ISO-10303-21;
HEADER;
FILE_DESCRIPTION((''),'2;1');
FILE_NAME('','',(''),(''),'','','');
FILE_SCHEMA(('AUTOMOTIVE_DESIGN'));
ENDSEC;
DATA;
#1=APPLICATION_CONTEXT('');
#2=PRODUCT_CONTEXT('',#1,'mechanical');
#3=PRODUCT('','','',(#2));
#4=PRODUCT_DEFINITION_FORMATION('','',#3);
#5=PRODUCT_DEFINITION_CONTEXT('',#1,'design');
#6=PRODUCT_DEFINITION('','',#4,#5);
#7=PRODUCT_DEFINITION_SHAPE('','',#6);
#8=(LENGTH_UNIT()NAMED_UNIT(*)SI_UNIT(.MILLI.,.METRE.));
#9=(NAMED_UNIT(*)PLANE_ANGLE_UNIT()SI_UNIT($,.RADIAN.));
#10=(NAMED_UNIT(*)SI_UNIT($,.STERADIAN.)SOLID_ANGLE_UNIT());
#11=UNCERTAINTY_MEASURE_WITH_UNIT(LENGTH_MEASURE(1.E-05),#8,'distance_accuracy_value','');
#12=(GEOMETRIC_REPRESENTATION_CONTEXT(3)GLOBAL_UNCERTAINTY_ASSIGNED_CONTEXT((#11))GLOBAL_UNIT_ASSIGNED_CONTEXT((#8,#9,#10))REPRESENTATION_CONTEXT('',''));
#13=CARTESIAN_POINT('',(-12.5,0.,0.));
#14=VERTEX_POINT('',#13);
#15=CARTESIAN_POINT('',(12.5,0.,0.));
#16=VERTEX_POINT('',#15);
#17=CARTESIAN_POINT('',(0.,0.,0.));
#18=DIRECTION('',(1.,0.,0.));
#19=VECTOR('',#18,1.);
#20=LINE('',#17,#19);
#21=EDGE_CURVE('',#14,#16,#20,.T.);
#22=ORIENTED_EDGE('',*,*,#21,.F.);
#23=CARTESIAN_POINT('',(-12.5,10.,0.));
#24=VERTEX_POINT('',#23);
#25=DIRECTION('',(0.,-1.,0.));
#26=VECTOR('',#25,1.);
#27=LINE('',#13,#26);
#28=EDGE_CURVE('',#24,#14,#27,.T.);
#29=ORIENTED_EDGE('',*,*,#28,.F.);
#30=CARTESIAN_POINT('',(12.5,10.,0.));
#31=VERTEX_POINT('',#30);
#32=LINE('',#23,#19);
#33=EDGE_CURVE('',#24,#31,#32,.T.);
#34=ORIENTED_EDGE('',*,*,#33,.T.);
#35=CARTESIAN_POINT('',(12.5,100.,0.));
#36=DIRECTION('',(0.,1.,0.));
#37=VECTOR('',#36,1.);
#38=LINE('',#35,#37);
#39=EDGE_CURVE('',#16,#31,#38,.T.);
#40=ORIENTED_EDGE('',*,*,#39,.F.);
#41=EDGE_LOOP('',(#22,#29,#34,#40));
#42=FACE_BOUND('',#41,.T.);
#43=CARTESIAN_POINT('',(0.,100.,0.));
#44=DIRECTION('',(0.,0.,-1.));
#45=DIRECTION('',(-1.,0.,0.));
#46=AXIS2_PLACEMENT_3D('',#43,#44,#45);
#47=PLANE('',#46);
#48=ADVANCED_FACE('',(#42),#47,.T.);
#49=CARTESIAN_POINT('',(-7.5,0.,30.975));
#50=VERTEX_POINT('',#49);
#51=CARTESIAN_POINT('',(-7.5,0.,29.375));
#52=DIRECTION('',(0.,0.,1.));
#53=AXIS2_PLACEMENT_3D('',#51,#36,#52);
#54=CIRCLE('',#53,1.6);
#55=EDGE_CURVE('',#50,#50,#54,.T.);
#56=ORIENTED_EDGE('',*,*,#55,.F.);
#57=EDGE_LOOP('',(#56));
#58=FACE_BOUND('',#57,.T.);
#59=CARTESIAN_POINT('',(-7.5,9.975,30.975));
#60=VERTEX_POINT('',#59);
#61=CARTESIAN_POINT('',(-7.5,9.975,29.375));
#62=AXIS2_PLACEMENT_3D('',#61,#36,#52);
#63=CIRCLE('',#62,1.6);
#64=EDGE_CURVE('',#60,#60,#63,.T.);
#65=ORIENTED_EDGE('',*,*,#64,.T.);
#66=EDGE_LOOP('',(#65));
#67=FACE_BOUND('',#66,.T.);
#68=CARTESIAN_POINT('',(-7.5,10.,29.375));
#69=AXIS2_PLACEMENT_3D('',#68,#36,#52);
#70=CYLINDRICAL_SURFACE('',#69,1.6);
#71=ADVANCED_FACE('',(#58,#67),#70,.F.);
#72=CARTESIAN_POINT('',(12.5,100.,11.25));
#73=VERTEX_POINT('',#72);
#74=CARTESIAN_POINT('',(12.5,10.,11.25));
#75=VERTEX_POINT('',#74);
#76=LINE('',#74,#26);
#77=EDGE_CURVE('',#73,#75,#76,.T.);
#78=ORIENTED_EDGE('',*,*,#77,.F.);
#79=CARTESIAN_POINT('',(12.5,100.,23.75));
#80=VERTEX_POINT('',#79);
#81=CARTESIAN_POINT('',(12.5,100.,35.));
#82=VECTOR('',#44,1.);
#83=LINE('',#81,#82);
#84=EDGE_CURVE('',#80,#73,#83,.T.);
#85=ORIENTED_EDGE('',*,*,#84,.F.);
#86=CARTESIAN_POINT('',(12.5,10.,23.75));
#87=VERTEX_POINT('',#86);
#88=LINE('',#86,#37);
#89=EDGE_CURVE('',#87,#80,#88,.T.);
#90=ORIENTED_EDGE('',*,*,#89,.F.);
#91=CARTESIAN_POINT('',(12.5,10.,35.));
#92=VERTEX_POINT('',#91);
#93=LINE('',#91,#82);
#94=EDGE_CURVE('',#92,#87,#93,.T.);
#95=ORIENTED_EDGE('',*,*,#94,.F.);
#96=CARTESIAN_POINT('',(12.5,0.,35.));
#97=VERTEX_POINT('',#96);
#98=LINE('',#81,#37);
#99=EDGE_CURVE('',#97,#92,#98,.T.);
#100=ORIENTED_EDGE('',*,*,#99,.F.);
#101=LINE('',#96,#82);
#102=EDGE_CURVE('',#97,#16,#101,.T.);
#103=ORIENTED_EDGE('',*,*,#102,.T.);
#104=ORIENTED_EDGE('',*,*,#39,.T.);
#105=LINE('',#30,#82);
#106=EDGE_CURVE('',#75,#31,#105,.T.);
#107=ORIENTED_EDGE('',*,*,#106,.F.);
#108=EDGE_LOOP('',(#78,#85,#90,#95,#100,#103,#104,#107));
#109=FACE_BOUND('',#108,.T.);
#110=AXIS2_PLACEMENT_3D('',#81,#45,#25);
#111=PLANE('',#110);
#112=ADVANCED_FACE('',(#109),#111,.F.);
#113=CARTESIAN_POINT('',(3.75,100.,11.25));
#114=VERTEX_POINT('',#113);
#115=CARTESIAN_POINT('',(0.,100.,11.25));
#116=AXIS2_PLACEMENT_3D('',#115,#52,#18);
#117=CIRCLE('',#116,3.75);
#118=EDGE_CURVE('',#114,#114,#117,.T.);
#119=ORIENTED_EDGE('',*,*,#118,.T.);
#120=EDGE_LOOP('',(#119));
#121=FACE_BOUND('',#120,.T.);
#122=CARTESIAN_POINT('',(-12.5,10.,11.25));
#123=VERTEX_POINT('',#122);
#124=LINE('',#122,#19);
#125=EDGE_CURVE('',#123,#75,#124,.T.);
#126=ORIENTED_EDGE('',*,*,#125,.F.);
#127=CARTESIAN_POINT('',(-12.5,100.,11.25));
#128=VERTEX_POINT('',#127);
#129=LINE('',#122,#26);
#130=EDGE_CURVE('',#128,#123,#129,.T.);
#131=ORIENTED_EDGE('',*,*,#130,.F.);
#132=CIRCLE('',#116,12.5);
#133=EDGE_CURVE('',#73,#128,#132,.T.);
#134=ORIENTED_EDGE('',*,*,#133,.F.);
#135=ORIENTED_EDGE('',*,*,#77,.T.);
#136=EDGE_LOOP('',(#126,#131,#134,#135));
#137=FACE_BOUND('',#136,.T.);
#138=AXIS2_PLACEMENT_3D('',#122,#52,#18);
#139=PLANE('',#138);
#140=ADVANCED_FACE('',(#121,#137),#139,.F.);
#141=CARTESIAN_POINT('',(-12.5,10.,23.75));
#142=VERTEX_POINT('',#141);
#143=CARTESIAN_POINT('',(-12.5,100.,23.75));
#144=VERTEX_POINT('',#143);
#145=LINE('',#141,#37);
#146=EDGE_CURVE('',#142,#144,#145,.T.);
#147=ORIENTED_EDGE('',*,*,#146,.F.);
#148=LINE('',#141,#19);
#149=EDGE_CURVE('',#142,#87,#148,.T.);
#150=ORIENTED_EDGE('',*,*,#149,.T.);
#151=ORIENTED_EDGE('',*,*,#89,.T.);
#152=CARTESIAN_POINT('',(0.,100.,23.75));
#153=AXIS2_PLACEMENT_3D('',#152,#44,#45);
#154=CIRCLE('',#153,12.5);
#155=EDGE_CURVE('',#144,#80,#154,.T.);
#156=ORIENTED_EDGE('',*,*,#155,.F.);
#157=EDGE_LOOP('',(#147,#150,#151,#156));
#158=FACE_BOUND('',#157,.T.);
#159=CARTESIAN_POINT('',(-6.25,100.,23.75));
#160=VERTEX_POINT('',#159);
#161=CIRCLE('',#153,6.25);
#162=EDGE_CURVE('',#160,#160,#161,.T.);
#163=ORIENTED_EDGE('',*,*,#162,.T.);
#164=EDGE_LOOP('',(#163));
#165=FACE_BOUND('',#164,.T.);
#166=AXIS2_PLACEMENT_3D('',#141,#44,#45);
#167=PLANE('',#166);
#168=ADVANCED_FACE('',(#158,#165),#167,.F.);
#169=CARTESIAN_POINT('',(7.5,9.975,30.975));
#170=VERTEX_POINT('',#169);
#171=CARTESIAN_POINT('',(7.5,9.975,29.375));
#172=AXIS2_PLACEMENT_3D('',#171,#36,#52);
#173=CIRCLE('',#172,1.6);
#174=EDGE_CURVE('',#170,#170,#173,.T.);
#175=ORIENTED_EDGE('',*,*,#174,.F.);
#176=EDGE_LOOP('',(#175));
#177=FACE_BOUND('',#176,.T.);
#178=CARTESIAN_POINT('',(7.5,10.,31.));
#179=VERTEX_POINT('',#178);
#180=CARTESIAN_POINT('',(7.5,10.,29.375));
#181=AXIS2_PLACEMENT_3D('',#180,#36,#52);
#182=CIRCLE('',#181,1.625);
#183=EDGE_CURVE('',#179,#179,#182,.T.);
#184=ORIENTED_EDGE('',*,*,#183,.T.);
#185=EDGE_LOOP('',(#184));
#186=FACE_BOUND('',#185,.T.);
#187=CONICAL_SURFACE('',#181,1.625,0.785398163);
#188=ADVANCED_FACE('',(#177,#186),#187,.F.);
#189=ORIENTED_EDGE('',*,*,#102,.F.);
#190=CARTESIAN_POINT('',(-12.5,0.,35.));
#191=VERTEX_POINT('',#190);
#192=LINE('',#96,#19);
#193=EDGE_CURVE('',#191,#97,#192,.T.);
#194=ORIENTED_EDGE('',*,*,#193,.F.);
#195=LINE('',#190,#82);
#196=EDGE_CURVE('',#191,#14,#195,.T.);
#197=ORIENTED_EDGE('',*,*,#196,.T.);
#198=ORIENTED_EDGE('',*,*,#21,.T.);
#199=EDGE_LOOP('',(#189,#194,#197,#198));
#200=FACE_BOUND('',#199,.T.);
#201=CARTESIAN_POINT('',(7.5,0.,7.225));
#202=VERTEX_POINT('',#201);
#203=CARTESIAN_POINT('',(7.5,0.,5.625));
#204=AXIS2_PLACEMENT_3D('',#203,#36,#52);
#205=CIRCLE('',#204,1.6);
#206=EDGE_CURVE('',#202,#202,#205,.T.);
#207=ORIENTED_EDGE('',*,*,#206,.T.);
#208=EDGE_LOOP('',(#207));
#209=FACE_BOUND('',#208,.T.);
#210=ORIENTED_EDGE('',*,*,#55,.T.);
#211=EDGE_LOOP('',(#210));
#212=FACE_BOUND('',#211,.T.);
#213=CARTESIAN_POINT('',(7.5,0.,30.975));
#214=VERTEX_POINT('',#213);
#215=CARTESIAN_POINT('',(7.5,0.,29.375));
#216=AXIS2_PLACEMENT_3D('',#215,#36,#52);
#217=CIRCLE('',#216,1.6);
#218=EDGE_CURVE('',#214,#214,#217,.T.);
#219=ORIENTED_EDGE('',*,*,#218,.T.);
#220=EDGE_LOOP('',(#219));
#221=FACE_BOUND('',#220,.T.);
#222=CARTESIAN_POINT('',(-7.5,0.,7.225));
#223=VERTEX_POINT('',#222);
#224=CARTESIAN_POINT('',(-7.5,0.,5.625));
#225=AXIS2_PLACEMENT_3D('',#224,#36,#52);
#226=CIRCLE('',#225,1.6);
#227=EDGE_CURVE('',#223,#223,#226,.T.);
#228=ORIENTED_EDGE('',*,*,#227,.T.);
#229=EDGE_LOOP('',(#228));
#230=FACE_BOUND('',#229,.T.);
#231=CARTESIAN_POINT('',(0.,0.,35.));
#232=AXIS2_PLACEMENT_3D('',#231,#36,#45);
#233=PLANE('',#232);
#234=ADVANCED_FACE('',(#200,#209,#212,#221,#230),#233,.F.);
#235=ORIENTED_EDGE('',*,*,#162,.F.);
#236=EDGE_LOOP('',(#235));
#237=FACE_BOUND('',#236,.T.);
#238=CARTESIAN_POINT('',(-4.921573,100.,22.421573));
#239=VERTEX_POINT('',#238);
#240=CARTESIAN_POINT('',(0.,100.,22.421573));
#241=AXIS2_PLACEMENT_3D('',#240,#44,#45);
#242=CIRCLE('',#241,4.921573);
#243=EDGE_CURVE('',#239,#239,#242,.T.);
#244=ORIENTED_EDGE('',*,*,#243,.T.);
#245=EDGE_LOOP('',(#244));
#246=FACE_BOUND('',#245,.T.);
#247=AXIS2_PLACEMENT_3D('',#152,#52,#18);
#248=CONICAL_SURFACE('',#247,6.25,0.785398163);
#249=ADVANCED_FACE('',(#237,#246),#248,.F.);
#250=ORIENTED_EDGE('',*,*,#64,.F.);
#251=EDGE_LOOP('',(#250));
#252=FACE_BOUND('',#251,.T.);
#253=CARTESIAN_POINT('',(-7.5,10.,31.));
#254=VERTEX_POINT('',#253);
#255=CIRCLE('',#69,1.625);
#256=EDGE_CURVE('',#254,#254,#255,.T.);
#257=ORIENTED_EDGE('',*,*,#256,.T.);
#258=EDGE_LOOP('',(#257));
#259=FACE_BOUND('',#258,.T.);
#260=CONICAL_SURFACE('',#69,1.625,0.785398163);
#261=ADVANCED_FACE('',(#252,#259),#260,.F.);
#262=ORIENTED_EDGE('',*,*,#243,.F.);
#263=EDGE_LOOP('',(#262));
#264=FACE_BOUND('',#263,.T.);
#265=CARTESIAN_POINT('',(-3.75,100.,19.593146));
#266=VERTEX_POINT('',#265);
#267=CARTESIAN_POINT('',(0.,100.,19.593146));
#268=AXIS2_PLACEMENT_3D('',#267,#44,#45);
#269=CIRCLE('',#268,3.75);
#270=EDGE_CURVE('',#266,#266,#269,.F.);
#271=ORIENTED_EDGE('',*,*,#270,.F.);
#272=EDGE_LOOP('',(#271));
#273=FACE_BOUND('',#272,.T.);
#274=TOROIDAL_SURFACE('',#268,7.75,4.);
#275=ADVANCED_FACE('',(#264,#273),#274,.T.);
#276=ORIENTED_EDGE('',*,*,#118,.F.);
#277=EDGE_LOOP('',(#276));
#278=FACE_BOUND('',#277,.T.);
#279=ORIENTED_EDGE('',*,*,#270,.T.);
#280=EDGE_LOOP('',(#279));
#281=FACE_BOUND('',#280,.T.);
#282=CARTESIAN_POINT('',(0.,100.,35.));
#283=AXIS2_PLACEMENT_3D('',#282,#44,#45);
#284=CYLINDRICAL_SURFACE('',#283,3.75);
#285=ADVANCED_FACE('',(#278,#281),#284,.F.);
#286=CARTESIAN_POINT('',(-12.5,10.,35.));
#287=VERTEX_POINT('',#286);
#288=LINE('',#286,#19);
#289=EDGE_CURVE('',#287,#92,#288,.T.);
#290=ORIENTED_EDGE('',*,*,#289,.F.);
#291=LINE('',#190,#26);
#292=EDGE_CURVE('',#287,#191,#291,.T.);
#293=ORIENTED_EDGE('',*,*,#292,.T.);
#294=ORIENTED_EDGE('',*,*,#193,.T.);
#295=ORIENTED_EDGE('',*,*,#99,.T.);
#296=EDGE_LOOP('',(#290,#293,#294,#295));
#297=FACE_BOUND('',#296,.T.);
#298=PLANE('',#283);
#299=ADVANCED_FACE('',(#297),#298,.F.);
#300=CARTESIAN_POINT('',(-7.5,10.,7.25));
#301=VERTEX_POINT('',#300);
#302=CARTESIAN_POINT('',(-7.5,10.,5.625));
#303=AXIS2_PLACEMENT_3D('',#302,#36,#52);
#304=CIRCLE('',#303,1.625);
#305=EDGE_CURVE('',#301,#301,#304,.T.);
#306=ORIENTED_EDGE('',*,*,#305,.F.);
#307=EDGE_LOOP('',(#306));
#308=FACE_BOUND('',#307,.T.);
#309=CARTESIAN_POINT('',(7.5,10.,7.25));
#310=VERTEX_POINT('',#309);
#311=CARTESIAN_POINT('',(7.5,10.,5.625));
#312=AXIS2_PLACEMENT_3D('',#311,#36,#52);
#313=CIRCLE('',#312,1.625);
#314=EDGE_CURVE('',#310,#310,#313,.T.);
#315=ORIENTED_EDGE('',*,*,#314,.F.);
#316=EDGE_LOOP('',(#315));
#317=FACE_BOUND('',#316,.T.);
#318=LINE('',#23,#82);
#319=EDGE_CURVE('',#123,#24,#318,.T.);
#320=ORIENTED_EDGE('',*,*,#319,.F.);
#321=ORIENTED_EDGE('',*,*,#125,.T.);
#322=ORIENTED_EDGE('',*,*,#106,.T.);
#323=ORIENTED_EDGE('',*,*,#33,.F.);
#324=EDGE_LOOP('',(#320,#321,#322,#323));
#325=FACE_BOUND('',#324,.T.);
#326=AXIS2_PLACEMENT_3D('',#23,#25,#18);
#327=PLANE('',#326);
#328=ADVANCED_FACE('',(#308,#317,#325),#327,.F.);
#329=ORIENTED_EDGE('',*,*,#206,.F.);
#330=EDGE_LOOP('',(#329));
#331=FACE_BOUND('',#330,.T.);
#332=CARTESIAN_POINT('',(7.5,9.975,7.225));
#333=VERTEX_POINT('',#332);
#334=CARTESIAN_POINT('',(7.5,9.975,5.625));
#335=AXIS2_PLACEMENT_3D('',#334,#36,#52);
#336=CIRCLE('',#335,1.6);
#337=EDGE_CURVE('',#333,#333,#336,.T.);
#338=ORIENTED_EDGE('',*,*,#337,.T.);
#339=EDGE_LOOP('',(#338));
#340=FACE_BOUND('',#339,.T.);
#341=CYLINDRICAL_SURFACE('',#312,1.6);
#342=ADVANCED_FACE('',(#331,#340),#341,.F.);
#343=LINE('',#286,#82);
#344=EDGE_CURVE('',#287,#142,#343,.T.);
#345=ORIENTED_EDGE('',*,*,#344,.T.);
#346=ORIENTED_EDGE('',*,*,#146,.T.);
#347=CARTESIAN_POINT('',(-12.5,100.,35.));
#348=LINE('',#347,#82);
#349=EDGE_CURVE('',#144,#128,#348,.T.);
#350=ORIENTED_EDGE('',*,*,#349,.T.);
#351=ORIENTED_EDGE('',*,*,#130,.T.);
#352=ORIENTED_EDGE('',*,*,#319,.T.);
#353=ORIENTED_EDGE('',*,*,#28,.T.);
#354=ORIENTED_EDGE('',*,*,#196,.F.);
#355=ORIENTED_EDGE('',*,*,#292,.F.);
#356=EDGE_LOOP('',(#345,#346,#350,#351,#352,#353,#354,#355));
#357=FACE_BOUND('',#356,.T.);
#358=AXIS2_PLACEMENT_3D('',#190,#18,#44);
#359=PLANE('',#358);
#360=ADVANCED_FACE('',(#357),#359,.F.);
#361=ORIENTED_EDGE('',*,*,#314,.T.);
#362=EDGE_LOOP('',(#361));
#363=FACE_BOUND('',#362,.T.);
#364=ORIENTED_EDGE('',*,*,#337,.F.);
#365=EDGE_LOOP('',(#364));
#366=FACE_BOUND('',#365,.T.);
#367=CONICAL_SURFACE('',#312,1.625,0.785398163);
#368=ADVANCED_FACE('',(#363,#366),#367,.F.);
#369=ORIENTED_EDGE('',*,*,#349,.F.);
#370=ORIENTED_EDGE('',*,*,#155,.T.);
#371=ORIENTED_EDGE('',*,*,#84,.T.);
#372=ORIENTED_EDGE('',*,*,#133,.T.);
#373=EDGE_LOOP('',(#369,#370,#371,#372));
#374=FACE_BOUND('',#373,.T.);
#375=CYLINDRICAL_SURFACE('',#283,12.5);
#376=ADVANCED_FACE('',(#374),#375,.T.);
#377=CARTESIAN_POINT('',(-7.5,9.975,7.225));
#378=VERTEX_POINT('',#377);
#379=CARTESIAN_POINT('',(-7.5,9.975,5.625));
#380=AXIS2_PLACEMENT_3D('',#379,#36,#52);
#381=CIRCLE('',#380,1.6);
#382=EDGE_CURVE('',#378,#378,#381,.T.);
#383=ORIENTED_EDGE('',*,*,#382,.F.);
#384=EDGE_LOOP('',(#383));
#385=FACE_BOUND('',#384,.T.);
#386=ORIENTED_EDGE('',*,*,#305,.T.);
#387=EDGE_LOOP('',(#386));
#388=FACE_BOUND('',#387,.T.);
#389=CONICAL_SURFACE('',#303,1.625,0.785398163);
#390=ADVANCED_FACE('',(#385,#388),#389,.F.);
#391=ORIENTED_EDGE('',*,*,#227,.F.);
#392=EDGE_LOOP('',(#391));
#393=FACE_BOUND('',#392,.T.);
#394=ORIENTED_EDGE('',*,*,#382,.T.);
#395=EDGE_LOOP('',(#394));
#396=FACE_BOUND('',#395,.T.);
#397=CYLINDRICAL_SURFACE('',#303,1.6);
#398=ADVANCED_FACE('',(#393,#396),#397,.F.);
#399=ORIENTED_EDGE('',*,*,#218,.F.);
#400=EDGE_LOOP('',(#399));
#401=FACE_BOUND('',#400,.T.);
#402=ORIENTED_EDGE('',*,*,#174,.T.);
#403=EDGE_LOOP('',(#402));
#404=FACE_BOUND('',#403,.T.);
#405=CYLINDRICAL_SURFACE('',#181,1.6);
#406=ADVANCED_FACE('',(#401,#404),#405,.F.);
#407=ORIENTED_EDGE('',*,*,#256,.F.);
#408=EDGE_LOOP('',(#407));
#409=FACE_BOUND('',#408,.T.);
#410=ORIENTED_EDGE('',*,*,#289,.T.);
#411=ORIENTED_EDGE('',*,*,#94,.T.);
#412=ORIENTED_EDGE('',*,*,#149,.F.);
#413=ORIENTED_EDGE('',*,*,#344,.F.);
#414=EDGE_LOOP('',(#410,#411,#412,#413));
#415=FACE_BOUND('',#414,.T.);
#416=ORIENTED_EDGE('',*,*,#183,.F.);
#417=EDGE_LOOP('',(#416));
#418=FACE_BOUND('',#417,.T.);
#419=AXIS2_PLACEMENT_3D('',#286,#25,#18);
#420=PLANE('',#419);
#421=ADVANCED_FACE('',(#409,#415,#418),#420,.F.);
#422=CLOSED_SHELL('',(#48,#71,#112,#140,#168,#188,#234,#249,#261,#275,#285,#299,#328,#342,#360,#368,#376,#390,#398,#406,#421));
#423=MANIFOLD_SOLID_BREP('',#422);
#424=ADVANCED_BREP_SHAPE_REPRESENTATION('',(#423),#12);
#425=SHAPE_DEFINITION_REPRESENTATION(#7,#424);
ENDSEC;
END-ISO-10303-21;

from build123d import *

# Parameters (mm, degrees)
SKETCH1_R                            = 3.75
BOSS_EXTRUDE1_DEPTH                  = 35
SKETCH5_W                            = 11.25
SKETCH5_H                            = 102.5
CUT_EXTRUDE1_DEPTH                   = 121.441894704
F_3_2_3_2_DIAMETER_HOLE1_D           = 3.2
F_3_2_3_2_DIAMETER_HOLE1_CSINK_D     = 3.25
F_3_2_3_2_DIAMETER_HOLE1_CSINK_ANGLE = 90
CHAMFER1_SIZE                        = 2.5
FILLET1_R                            = 4


with BuildPart() as part:
    # Sketch1 → Boss-Extrude1 (new body)
    with BuildSketch(Plane.XY):
        with BuildLine():
            Line((0, 0), (-12.5, 0))
            Line((-12.5, 0), (-12.5, 100))
            ThreePointArc((-12.5, 100), (0, 112.5), (12.5, 100))
            Line((12.5, 100), (12.5, 0))
            Line((12.5, 0), (0, 0))
        make_face()
        with Locations((0, 100)):
            Circle(SKETCH1_R, mode=Mode.SUBTRACT)
    extrude(amount=BOSS_EXTRUDE1_DEPTH)

    # Sketch5 → Cut-Extrude1 (cut, through all)
    with BuildSketch(Plane(origin=(12.5, 0, 0), x_dir=(0, 0, -1), z_dir=(1, 0, 0))):
        with Locations((-29.375, 61.25)):
            Rectangle(SKETCH5_W, SKETCH5_H)
        with Locations((-5.625, 61.25)):
            Rectangle(SKETCH5_W, SKETCH5_H)
    extrude(amount=-CUT_EXTRUDE1_DEPTH, mode=Mode.SUBTRACT)

    # Ø3.2 (3.2) Diameter Hole1 (through all)
    with Locations(Plane(origin=(0, 10, 0), x_dir=(1, 0, 0), z_dir=(0, 1, 0))):
        with Locations((-7.5, -5.625), (7.5, -5.625), (7.5, -29.375), (-7.5, -29.375)):
            CounterSinkHole(F_3_2_3_2_DIAMETER_HOLE1_D / 2, F_3_2_3_2_DIAMETER_HOLE1_CSINK_D / 2, counter_sink_angle=F_3_2_3_2_DIAMETER_HOLE1_CSINK_ANGLE)

    # Chamfer1
    chamfer1_edges = [part.edges().sort_by_distance(p)[0] for p in [
        (-3.75, 100, 23.75),
    ]]
    chamfer(chamfer1_edges, length=CHAMFER1_SIZE)

    # Fillet1
    fillet1_edges = [part.edges().sort_by_distance(p)[0] for p in [
        (-3.75, 100, 21.25),
    ]]
    fillet(fillet1_edges, radius=FILLET1_R)


solid = part.part
